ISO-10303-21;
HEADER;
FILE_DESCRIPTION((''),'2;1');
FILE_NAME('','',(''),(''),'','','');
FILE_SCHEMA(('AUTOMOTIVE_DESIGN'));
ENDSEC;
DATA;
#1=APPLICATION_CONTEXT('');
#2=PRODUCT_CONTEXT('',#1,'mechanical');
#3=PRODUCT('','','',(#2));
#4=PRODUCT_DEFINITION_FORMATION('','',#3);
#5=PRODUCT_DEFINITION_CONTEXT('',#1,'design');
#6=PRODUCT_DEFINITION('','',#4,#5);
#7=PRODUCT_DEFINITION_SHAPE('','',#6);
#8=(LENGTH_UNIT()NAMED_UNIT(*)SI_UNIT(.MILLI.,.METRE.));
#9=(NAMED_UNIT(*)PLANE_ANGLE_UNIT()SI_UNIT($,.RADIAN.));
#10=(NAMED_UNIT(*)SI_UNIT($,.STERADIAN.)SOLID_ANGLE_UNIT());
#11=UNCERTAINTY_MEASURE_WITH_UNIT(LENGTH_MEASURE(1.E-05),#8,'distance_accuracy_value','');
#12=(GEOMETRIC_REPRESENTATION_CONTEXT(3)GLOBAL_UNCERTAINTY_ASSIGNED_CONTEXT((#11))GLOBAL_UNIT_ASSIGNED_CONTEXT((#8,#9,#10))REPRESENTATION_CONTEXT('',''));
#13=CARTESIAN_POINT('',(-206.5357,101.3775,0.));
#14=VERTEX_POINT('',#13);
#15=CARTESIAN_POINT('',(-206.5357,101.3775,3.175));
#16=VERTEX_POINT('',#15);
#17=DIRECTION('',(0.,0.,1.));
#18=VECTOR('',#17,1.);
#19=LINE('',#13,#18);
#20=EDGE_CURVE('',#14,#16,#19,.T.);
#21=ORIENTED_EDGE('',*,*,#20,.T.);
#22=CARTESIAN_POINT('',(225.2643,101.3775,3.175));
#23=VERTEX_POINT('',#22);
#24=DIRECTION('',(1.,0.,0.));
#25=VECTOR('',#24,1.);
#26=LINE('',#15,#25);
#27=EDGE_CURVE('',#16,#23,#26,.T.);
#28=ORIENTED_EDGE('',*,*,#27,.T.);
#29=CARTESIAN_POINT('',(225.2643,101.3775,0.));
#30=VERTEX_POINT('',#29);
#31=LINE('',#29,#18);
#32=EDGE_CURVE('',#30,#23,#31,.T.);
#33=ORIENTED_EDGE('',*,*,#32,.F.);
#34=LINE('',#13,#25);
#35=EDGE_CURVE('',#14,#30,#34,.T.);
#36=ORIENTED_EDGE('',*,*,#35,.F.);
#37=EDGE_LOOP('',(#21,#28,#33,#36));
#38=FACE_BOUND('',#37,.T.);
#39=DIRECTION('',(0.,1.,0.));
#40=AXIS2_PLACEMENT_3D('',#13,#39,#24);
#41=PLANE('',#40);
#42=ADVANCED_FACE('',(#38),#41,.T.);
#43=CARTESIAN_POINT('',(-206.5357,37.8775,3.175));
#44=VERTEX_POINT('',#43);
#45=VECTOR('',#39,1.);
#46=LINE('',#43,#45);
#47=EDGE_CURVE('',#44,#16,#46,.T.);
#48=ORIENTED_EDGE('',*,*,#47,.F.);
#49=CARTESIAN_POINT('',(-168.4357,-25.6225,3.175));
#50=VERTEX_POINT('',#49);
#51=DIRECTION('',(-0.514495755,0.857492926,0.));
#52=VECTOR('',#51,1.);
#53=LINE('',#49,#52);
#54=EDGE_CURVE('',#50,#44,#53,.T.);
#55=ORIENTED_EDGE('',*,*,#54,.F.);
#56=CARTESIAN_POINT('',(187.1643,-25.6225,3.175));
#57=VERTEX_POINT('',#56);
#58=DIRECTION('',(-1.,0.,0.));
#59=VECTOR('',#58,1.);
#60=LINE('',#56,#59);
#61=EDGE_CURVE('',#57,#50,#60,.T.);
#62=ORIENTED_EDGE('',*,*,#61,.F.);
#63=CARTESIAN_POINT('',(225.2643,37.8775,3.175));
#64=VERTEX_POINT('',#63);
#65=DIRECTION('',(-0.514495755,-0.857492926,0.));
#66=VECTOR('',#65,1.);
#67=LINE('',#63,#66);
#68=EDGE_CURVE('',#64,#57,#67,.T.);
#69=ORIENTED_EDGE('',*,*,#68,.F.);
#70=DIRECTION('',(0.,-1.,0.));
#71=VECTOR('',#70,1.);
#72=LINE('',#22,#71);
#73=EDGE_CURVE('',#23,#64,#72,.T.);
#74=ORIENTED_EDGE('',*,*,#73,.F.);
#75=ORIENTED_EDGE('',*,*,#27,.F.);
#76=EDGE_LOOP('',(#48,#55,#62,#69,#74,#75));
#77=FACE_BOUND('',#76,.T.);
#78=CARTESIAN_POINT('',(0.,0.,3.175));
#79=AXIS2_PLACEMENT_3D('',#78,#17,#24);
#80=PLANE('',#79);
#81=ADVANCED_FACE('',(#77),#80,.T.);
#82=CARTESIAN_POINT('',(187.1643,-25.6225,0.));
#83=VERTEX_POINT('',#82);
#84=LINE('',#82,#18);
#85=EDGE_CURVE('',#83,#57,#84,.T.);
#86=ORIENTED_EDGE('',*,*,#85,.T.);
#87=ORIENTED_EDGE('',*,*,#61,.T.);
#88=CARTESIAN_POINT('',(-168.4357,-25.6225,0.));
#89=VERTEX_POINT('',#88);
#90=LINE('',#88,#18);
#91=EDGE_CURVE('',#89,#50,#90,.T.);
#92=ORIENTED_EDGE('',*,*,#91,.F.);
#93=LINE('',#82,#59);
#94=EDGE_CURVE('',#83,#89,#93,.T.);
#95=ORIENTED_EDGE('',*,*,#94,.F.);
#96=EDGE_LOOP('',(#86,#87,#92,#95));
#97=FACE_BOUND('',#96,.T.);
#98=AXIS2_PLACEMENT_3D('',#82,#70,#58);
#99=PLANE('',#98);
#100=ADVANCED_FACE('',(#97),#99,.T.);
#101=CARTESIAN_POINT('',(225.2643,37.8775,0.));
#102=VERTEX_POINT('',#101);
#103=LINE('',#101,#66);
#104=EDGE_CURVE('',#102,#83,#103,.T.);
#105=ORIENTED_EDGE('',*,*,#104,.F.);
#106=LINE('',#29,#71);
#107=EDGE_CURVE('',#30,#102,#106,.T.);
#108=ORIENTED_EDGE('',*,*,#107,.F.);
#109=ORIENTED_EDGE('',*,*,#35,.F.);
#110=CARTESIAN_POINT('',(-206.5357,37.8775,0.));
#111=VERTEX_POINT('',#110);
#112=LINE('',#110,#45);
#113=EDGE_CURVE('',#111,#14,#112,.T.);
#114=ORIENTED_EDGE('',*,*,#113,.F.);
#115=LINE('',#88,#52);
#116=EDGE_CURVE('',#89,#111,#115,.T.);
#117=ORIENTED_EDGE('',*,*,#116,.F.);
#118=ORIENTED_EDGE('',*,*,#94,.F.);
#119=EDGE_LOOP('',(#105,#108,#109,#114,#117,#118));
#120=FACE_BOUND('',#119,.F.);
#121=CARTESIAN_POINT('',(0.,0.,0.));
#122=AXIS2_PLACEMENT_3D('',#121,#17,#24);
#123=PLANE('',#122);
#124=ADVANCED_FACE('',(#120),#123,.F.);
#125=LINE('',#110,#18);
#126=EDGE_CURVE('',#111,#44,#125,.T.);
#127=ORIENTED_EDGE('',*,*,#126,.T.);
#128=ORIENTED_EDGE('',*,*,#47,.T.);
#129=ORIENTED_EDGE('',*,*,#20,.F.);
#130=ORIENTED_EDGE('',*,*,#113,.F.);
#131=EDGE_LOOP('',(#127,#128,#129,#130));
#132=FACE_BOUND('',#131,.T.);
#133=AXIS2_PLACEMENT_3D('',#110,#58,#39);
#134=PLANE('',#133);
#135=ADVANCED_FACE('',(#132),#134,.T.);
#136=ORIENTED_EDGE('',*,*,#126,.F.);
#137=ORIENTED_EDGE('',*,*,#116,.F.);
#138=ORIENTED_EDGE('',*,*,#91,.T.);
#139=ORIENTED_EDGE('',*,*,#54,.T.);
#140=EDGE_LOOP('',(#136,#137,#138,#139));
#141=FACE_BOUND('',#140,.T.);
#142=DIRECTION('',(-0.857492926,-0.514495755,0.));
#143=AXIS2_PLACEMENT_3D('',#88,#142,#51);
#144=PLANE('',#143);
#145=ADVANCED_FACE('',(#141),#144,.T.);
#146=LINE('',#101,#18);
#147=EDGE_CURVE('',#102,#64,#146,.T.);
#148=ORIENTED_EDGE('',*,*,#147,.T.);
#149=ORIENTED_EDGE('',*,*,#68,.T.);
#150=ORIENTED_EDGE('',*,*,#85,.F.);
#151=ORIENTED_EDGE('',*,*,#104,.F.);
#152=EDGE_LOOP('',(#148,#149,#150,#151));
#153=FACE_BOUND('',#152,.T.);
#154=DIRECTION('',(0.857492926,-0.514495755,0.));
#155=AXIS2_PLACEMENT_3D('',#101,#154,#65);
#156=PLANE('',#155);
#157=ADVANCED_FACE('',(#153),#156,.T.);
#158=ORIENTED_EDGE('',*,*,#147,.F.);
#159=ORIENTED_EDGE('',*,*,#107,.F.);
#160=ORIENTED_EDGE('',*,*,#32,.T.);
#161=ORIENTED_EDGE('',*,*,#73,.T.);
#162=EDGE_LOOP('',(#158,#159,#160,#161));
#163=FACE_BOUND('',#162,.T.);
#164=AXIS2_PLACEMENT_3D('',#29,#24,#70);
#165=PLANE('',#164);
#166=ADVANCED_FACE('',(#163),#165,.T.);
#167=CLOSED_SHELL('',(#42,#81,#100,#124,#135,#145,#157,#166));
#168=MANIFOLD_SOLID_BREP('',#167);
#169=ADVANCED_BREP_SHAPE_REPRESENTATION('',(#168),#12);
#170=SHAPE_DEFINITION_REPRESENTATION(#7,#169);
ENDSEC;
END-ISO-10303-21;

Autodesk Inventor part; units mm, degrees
ref_plane "YZ Plane" through (0, 0, 0) normal (1, 0, 0) x (0, 1, 0)
ref_plane "XZ Plane" through (0, 0, 0) normal (0, 1, 0) x (-1, 0, 0)
ref_plane "XY Plane" through (0, 0, 0) normal (0, 0, 1) x (1, 0, 0)
sketch "Sketch1" plane through (0, 0, 0) normal (0, 0, 1) x (1, 0, 0)
  line L0 (-206.5357, 101.3775) -> (225.2643, 101.3775)
  line L1 (225.2643, 101.3775) -> (225.2643, 37.8775)
  line L2 (225.2643, 37.8775) -> (187.1643, -25.6225)
  line L3 (187.1643, -25.6225) -> (-168.4357, -25.6225)
  line L4 (-168.4357, -25.6225) -> (-206.5357, 37.8775)
  line L5 (-206.5357, 37.8775) -> (-206.5357, 101.3775)
  point P0 (0, 0)
  dimension "d0" = 431.8
  dimension "d1" = 355.6
  dimension "d2" = 63.5
  dimension "d3" = 90
  dimension "d5" = 63.5
  dimension "d7" = 63.5
extrude "Extrusion1" add sketch "Sketch1" along normal blind 3.175
properties part number "Inner Plate"
